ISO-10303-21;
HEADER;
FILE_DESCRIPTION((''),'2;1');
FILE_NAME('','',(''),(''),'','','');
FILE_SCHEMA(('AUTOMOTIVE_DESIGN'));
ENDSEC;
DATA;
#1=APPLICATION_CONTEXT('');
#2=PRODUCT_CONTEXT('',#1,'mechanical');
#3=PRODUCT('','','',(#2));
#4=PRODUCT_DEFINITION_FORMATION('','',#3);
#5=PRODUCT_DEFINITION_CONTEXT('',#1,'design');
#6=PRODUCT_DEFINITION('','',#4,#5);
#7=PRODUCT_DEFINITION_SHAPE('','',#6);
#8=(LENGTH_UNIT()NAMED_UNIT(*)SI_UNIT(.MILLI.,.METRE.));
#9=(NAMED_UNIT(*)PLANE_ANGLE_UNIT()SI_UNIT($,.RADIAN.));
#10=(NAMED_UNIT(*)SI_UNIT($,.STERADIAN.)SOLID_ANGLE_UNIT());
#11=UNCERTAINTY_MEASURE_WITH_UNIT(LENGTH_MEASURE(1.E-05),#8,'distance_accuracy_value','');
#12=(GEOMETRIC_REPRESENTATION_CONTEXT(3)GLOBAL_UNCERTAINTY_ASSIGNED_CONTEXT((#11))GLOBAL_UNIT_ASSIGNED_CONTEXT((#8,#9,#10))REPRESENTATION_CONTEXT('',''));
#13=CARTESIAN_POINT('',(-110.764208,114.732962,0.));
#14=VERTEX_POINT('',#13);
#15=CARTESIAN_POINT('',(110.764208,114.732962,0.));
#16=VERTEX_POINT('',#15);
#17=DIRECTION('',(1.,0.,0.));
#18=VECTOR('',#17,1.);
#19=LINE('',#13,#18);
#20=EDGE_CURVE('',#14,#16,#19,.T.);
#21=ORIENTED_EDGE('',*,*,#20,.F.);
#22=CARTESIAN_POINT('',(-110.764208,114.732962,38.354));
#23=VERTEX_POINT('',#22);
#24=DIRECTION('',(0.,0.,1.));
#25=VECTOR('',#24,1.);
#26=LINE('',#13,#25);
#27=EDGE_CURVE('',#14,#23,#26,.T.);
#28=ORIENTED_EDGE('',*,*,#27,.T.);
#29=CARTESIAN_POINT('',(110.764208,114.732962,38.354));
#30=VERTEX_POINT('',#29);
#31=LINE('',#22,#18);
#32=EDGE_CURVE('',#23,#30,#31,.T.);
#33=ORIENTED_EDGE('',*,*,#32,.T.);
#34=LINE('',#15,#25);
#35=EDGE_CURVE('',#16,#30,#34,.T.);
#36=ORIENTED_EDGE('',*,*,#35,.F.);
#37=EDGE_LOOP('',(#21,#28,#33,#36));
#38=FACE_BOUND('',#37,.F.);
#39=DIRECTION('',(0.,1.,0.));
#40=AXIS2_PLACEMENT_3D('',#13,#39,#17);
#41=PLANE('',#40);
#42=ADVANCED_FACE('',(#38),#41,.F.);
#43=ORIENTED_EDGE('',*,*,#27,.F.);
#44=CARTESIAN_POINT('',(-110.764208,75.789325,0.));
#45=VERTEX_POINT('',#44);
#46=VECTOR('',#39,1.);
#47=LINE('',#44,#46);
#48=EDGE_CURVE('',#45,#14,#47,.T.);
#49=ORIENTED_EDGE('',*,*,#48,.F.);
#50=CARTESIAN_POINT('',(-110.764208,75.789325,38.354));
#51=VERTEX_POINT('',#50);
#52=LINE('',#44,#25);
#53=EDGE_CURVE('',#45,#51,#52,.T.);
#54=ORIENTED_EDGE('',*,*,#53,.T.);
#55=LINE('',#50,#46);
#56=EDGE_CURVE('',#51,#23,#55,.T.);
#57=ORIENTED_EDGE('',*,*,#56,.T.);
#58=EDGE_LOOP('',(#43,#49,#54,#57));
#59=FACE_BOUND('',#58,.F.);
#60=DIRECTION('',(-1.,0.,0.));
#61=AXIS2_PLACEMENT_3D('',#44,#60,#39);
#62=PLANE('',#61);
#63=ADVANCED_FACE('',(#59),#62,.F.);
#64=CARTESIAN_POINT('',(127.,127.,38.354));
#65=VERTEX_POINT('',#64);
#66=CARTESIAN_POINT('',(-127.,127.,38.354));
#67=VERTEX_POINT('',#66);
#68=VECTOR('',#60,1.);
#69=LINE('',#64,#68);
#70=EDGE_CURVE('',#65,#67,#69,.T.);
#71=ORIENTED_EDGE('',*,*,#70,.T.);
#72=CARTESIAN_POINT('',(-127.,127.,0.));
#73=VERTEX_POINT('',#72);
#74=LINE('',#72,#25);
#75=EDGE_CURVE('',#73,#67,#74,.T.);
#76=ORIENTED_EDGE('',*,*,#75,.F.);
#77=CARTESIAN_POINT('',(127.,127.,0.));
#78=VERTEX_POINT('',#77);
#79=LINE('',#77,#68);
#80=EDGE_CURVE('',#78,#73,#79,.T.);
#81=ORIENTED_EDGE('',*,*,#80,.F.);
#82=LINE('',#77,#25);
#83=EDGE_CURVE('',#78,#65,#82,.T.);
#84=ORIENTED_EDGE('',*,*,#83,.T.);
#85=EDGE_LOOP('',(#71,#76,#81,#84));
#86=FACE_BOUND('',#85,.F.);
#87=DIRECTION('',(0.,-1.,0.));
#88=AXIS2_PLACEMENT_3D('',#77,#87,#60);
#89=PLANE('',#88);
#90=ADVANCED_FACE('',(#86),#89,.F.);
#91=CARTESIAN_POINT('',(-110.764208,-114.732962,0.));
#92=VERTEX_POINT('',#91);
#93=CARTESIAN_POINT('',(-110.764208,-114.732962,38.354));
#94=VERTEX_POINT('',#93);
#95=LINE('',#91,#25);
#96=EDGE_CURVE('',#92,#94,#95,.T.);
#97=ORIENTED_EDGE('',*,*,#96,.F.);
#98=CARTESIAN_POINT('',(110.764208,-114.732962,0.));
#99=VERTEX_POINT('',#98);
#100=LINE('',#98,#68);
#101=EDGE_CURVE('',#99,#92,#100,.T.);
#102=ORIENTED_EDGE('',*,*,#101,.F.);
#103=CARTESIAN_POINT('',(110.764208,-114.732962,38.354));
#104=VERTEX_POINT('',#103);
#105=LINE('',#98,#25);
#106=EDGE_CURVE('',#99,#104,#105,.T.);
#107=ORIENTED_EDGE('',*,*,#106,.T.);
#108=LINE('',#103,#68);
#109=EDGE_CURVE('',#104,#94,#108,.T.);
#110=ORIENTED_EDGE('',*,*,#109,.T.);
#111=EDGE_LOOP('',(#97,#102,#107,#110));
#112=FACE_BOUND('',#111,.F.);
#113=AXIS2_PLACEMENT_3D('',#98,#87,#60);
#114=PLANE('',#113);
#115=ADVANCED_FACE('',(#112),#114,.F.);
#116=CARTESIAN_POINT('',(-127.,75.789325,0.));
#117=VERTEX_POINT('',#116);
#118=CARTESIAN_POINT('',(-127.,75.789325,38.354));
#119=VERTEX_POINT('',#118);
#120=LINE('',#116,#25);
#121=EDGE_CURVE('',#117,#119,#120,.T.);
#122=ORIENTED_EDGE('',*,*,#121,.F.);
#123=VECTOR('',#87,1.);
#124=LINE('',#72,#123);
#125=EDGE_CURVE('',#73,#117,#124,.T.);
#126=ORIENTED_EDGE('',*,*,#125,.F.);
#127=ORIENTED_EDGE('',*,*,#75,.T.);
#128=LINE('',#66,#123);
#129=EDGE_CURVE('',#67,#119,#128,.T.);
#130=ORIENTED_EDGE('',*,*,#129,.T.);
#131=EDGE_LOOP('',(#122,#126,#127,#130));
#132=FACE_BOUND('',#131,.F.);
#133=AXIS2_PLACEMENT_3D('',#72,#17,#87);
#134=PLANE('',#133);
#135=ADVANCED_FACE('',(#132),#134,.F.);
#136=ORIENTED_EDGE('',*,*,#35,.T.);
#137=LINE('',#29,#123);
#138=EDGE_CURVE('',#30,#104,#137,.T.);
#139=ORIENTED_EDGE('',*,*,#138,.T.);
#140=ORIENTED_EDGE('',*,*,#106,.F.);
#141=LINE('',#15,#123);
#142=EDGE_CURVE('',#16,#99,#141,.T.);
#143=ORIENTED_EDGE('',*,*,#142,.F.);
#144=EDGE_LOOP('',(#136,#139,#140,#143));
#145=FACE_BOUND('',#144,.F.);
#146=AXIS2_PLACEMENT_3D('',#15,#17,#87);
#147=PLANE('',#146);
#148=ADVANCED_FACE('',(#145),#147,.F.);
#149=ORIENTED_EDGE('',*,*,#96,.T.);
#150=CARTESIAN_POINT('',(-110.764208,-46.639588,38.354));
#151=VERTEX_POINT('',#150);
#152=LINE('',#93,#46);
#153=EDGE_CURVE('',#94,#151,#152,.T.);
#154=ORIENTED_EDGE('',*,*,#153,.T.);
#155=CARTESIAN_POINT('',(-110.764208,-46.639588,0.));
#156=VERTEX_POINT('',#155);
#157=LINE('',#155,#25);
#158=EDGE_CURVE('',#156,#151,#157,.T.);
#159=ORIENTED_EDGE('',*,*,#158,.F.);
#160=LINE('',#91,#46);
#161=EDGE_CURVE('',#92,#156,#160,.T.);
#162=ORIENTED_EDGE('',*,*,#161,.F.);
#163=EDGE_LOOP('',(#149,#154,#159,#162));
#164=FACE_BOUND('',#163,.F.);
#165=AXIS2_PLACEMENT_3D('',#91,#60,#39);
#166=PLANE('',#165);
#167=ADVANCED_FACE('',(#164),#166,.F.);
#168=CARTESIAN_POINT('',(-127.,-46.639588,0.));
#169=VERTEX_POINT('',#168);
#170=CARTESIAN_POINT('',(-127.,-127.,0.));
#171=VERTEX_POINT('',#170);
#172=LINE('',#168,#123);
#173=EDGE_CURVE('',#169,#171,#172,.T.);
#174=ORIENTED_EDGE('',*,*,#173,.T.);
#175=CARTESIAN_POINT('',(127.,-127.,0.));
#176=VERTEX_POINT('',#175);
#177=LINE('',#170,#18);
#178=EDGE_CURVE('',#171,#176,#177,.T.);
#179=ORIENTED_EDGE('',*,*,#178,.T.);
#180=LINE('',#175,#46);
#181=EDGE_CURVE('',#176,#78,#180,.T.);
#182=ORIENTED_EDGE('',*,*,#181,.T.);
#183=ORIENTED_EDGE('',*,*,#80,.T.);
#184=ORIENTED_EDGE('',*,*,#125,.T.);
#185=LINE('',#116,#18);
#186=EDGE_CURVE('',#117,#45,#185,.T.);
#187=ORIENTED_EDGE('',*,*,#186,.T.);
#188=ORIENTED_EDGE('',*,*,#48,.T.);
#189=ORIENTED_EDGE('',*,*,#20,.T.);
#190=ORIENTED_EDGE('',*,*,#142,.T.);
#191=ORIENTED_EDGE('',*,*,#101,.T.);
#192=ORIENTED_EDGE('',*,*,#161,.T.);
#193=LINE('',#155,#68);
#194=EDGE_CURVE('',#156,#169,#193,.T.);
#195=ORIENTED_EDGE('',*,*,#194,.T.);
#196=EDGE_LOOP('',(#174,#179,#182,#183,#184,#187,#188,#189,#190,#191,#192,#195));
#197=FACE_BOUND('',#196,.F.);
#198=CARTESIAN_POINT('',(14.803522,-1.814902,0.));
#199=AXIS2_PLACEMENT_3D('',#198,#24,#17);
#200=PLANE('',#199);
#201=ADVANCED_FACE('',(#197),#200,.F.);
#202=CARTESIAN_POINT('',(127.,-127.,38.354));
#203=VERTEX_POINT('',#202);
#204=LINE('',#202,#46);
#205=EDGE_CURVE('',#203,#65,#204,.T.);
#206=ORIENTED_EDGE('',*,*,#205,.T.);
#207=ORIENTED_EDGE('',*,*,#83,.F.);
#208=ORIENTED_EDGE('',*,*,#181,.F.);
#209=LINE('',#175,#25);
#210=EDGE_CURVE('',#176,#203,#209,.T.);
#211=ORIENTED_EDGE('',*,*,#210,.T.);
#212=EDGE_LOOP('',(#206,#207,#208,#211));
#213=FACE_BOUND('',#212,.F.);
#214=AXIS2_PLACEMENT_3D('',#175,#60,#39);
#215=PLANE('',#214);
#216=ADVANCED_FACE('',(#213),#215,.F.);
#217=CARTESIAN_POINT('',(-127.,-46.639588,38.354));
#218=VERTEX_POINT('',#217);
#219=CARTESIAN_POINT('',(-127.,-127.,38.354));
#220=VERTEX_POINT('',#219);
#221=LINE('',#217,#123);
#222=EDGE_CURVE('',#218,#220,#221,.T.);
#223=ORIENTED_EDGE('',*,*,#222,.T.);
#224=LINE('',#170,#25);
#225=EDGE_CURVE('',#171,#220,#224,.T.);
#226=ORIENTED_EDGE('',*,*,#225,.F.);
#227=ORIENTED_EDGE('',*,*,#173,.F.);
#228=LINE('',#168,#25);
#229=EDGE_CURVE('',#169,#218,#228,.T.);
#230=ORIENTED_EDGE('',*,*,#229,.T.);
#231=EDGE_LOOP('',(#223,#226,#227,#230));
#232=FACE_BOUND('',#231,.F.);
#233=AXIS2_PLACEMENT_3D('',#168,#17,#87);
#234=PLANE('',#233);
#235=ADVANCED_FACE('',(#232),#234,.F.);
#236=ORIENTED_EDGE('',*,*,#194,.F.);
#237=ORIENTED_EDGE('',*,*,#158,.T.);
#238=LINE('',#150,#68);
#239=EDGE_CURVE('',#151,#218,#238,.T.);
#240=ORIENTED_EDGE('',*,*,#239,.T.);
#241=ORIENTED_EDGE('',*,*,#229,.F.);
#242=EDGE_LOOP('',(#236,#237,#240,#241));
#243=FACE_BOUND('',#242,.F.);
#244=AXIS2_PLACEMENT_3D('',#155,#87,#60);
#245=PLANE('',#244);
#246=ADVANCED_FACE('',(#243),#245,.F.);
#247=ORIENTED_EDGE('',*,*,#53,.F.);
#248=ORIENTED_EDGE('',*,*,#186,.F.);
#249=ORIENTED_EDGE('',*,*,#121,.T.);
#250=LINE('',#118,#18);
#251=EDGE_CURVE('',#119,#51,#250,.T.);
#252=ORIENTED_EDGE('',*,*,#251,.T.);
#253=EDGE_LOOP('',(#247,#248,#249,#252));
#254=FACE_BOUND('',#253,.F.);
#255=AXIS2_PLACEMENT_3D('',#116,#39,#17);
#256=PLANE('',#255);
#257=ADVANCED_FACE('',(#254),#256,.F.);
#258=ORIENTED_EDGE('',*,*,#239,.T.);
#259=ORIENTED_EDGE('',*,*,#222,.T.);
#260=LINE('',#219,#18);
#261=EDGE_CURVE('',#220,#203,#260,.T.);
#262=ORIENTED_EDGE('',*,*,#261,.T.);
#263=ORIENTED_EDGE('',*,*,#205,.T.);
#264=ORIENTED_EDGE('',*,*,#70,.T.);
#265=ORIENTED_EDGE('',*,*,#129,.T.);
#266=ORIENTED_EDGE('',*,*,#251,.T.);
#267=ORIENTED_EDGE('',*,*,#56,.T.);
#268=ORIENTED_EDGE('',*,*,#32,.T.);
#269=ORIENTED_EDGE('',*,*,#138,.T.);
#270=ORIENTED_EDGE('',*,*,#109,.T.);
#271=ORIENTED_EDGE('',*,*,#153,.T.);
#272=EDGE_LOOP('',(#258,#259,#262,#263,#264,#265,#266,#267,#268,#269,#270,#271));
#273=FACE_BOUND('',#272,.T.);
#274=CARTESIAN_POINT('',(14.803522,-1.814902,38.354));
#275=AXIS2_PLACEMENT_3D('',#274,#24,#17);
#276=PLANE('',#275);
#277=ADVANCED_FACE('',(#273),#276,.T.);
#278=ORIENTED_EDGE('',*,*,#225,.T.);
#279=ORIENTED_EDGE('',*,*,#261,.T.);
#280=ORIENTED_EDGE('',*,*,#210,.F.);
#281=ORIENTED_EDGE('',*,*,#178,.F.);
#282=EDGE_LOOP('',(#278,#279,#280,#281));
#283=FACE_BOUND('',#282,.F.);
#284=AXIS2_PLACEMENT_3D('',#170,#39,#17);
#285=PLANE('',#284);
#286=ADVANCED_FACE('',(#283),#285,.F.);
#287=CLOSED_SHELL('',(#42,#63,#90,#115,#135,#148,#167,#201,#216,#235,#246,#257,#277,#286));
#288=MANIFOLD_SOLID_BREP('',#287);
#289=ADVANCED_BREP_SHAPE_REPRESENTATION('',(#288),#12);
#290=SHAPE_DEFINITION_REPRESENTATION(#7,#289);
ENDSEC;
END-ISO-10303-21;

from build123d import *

# Parameters (mm, degrees)
F1_DEPTH = 38.354


with BuildPart() as f1:
    # F0 (on Top) → F1 (new body)
    with BuildSketch(Plane.XY):
        Polygon((127, -127), (127, 127), (-127, 127), (-127, 75.789325), (-110.764208, 75.789325), (-110.764208, 114.732962), (-38.048085, 114.732962), (36.207046, 114.732962), (110.764208, 114.732962), (110.764208, 75.789325), (110.764208, -46.639588), (110.764208, -114.732962), (36.207046, -114.732962), (-38.048085, -114.732962), (-110.764208, -114.732962), (-110.764208, -46.639588), (-127, -46.639588), (-127, -127), align=None)
    extrude(amount=F1_DEPTH)


solid = f1.part
